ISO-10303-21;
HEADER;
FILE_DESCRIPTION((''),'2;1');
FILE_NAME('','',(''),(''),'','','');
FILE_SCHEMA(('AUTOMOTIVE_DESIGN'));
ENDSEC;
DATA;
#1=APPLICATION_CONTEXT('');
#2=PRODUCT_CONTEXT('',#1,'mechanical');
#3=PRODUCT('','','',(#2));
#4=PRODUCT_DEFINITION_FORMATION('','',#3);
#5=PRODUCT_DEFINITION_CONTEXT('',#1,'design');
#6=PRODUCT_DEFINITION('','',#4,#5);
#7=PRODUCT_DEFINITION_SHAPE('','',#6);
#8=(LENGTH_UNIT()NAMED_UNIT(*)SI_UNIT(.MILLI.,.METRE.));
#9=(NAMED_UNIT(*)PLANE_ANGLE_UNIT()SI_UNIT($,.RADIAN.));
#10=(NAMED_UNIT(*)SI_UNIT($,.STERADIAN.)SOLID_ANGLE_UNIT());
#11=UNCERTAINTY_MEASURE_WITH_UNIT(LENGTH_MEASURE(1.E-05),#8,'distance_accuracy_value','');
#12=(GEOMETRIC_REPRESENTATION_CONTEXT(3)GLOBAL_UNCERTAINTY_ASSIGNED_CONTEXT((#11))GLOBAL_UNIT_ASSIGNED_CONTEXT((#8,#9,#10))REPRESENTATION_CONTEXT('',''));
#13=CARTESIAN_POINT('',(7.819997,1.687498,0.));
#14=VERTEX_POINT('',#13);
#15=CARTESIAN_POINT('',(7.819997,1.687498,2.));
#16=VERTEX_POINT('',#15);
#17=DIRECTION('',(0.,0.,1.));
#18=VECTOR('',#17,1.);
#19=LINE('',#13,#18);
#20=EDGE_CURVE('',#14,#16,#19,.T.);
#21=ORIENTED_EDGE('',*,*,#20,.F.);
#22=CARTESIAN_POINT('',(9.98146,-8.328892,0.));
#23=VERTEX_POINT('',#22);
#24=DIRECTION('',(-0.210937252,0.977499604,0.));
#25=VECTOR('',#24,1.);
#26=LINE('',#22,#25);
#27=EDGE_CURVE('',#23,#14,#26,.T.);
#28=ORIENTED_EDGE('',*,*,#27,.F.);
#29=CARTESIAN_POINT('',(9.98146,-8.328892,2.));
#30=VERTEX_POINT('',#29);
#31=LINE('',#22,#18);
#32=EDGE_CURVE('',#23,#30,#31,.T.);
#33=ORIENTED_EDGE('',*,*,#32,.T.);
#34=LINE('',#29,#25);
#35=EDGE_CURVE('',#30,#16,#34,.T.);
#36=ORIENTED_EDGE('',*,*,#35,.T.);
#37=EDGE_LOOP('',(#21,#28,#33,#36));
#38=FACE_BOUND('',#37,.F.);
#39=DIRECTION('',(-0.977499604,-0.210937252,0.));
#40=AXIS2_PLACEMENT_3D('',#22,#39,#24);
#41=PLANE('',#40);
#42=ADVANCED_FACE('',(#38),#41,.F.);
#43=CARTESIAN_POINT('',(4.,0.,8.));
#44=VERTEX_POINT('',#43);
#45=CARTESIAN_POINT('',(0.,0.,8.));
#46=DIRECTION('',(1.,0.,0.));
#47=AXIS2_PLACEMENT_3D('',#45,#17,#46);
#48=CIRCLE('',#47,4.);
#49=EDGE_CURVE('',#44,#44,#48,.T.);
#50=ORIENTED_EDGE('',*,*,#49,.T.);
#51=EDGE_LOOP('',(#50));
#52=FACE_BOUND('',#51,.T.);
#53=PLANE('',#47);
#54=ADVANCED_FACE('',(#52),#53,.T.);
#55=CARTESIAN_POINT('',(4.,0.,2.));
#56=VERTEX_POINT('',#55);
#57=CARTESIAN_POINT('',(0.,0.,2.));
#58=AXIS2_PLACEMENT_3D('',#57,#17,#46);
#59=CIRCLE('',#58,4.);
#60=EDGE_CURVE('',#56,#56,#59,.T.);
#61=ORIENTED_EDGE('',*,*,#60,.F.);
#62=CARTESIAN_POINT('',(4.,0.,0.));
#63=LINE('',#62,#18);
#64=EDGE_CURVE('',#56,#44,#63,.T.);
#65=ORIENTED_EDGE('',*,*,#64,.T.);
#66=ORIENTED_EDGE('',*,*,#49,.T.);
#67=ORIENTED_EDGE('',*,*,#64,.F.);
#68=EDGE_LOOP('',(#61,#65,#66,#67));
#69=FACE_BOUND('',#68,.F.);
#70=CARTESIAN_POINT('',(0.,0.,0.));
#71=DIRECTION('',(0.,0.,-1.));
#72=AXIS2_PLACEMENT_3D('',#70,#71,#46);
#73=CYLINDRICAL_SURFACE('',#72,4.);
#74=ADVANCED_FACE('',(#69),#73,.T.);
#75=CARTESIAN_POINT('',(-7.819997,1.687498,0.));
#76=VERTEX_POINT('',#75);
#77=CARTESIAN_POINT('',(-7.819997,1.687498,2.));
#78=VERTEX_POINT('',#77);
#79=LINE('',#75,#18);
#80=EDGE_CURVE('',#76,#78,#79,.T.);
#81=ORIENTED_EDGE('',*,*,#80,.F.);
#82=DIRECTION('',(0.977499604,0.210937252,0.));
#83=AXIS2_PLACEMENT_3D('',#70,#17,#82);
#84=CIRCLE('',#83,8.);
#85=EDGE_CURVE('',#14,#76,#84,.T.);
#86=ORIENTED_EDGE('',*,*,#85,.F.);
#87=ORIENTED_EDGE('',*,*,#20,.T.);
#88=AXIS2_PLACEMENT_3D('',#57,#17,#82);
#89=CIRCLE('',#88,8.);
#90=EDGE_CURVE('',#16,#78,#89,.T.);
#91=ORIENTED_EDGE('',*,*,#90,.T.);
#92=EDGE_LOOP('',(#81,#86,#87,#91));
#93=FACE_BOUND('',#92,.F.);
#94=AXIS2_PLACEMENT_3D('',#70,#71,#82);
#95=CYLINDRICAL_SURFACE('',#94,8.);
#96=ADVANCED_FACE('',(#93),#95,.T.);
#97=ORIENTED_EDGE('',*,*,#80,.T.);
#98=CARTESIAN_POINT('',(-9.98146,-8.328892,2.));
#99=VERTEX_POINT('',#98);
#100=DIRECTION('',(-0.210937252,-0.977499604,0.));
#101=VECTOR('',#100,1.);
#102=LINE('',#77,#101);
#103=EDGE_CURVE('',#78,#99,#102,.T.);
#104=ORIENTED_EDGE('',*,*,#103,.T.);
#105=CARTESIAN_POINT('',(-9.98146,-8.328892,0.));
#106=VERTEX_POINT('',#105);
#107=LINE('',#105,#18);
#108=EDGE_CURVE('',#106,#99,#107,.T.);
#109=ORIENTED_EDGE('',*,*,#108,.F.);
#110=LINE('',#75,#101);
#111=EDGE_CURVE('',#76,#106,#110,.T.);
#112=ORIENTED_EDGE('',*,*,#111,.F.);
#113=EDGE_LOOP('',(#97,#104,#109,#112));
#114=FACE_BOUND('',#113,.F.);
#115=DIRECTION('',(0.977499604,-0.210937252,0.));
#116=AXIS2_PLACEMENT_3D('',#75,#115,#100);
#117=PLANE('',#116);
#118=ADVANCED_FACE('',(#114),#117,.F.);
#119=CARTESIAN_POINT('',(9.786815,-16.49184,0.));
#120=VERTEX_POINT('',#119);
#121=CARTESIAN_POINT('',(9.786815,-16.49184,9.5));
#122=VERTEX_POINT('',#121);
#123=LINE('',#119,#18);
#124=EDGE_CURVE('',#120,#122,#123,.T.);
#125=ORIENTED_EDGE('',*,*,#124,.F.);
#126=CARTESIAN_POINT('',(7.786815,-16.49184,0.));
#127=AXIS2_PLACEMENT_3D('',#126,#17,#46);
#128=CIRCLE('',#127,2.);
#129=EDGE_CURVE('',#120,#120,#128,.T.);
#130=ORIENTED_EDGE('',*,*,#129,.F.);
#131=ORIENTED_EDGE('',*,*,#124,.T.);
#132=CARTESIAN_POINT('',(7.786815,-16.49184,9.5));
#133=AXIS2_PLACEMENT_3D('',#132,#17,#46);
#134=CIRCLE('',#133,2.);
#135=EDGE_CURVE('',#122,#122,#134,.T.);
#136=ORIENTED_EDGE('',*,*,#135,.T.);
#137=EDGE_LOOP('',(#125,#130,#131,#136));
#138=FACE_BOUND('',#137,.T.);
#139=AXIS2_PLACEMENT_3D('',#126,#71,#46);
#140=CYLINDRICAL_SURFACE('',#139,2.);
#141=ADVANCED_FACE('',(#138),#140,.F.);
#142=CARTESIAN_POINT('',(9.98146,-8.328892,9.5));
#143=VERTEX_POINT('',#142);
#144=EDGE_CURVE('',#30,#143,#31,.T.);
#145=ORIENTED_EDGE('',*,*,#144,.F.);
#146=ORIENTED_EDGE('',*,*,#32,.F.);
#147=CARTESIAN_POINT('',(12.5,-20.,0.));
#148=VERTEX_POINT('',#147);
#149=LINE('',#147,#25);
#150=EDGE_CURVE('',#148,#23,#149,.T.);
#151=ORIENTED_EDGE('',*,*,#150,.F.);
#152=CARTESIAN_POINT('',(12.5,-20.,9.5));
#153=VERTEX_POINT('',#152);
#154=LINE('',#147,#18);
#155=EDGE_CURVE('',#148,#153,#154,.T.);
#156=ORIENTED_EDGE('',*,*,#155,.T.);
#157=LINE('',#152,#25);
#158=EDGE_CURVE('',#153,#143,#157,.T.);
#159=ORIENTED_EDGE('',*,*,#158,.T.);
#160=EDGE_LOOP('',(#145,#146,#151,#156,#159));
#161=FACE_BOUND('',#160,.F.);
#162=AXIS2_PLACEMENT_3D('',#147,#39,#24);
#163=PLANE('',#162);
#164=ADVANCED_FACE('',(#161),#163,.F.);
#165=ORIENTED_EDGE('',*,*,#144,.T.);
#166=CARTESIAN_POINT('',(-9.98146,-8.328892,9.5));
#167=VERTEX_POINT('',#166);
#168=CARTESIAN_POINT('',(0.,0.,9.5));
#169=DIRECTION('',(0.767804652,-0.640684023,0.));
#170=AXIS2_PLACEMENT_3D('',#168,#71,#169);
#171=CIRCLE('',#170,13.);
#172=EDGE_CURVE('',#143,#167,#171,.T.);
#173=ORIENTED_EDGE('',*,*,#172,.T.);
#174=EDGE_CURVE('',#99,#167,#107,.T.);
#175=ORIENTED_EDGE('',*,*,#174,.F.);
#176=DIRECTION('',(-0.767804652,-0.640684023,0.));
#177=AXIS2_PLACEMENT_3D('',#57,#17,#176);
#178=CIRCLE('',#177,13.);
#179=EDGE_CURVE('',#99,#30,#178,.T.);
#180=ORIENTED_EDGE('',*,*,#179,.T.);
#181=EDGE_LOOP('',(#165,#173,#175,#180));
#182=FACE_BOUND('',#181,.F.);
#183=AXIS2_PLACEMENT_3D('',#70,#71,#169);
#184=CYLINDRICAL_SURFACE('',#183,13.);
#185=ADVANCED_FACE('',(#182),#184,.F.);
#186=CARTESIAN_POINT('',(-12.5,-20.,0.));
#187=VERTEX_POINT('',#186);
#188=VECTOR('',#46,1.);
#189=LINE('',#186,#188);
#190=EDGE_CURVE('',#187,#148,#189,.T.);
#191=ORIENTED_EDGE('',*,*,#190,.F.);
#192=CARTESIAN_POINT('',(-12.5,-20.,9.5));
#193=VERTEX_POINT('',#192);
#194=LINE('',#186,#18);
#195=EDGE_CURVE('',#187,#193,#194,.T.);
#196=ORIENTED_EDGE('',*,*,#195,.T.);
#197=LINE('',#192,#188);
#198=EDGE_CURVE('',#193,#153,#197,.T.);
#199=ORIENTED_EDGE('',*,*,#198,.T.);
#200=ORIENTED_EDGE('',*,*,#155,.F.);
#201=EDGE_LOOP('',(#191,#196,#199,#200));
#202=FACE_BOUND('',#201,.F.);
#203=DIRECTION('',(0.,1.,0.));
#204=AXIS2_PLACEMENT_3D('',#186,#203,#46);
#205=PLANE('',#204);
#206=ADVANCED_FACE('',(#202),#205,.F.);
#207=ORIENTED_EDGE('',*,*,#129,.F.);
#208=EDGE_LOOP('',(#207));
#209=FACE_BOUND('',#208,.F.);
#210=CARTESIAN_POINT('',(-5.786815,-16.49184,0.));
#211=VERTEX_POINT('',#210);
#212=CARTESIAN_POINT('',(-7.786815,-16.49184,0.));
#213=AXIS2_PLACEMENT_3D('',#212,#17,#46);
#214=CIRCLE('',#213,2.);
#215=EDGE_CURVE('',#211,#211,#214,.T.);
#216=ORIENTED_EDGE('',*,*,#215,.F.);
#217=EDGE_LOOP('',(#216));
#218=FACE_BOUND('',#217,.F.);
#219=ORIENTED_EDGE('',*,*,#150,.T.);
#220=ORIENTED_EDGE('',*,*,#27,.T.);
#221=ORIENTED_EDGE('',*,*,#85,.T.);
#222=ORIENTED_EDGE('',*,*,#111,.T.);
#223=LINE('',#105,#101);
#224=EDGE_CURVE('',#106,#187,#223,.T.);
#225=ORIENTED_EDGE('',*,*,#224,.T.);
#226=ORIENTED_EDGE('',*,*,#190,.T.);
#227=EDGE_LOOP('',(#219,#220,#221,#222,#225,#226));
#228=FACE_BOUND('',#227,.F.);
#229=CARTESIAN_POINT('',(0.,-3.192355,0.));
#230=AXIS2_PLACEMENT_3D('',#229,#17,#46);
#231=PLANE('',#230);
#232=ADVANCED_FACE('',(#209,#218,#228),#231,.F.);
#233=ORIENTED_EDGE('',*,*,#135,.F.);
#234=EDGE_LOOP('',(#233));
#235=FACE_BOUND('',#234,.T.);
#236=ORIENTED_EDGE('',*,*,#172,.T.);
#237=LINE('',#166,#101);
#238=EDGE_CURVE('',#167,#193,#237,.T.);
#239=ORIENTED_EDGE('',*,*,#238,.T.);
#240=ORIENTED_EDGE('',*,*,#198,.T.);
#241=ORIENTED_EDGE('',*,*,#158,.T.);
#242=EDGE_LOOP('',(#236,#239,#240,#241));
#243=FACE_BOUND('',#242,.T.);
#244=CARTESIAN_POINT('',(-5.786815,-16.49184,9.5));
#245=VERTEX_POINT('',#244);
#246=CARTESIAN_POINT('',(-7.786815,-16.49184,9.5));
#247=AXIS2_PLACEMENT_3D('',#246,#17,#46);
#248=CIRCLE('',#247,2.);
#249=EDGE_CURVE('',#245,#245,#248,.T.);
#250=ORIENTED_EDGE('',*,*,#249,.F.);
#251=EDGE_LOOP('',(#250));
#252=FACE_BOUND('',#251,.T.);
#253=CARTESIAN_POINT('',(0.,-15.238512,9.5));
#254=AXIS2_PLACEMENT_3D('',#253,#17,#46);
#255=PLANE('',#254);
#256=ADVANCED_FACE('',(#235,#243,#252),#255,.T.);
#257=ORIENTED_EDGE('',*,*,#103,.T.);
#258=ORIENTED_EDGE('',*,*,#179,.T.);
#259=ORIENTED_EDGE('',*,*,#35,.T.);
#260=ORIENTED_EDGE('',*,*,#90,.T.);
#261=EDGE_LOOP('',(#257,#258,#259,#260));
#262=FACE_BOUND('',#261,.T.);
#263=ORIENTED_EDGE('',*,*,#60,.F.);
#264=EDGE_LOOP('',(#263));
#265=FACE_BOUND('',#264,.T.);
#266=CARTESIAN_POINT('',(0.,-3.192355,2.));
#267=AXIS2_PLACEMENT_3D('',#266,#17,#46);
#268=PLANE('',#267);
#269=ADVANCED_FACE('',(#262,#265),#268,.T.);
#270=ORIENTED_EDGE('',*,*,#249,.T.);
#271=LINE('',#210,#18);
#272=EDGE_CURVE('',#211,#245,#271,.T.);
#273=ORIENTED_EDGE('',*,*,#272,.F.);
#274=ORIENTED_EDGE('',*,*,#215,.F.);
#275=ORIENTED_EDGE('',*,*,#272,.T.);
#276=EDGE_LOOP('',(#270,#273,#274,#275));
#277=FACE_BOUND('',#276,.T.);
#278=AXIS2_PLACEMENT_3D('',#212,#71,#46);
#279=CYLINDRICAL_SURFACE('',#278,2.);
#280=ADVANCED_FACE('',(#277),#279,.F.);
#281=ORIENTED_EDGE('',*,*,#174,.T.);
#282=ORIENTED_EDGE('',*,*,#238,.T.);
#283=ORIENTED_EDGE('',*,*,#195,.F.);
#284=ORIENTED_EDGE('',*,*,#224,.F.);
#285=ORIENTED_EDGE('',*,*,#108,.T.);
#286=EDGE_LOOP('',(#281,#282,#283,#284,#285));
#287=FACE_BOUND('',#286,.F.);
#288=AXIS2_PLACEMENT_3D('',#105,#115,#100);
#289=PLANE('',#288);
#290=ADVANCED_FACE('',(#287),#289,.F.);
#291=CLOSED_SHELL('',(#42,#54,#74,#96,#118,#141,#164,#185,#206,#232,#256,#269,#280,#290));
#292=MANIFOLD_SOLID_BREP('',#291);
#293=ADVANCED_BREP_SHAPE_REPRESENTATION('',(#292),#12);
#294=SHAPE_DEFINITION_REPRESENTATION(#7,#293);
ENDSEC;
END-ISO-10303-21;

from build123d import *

# Parameters (mm, degrees)
F0_R     = 2
F1_DEPTH = 9.5
F0_R_2   = 4
F2_DEPTH = 8
F3_DEPTH = 2


with BuildPart() as f1:
    # F0 (on Top) → F1 (new body)
    with BuildSketch(Plane.XY):
        with BuildLine():
            Line((12.5, -20), (9.981460471, -8.3288922952))
            ThreePointArc((9.981460471, -8.3288922952), (0, -13), (-9.981460471, -8.3288922952))
            Line((-9.981460471, -8.3288922952), (-12.5, -20))
            Line((-12.5, -20), (0, -20))
            Line((0, -20), (12.5, -20))
        make_face()
        with Locations((-7.7868145891, -16.4918396622)):
            Circle(F0_R, mode=Mode.SUBTRACT)
        with Locations((7.7868145891, -16.4918396622)):
            Circle(F0_R, mode=Mode.SUBTRACT)
    extrude(amount=F1_DEPTH)



with BuildPart() as f2:
    # F0 (on Top) → F2 (new body)
    with BuildSketch(Plane.XY):
        Circle(F0_R_2)
    extrude(amount=F2_DEPTH)


with BuildPart() as f1_1:
    add(f1.part)

    add(f2.part)  # F3 merges F2
    # F0 (on Top) → F3 (join)
    with BuildSketch(Plane.XY):
        with BuildLine():
            Line((9.981460471, -8.3288922952), (7.8199968309, 1.6874980193))
            ThreePointArc((7.8199968309, 1.6874980193), (0, 8), (-7.8199968309, 1.6874980193))
            Line((-7.8199968309, 1.6874980193), (-9.981460471, -8.3288922952))
            ThreePointArc((-9.981460471, -8.3288922952), (0, -13), (9.981460471, -8.3288922952))
        make_face()
        Circle(F0_R_2, mode=Mode.SUBTRACT)
    extrude(amount=F3_DEPTH)


solid = f1_1.part
